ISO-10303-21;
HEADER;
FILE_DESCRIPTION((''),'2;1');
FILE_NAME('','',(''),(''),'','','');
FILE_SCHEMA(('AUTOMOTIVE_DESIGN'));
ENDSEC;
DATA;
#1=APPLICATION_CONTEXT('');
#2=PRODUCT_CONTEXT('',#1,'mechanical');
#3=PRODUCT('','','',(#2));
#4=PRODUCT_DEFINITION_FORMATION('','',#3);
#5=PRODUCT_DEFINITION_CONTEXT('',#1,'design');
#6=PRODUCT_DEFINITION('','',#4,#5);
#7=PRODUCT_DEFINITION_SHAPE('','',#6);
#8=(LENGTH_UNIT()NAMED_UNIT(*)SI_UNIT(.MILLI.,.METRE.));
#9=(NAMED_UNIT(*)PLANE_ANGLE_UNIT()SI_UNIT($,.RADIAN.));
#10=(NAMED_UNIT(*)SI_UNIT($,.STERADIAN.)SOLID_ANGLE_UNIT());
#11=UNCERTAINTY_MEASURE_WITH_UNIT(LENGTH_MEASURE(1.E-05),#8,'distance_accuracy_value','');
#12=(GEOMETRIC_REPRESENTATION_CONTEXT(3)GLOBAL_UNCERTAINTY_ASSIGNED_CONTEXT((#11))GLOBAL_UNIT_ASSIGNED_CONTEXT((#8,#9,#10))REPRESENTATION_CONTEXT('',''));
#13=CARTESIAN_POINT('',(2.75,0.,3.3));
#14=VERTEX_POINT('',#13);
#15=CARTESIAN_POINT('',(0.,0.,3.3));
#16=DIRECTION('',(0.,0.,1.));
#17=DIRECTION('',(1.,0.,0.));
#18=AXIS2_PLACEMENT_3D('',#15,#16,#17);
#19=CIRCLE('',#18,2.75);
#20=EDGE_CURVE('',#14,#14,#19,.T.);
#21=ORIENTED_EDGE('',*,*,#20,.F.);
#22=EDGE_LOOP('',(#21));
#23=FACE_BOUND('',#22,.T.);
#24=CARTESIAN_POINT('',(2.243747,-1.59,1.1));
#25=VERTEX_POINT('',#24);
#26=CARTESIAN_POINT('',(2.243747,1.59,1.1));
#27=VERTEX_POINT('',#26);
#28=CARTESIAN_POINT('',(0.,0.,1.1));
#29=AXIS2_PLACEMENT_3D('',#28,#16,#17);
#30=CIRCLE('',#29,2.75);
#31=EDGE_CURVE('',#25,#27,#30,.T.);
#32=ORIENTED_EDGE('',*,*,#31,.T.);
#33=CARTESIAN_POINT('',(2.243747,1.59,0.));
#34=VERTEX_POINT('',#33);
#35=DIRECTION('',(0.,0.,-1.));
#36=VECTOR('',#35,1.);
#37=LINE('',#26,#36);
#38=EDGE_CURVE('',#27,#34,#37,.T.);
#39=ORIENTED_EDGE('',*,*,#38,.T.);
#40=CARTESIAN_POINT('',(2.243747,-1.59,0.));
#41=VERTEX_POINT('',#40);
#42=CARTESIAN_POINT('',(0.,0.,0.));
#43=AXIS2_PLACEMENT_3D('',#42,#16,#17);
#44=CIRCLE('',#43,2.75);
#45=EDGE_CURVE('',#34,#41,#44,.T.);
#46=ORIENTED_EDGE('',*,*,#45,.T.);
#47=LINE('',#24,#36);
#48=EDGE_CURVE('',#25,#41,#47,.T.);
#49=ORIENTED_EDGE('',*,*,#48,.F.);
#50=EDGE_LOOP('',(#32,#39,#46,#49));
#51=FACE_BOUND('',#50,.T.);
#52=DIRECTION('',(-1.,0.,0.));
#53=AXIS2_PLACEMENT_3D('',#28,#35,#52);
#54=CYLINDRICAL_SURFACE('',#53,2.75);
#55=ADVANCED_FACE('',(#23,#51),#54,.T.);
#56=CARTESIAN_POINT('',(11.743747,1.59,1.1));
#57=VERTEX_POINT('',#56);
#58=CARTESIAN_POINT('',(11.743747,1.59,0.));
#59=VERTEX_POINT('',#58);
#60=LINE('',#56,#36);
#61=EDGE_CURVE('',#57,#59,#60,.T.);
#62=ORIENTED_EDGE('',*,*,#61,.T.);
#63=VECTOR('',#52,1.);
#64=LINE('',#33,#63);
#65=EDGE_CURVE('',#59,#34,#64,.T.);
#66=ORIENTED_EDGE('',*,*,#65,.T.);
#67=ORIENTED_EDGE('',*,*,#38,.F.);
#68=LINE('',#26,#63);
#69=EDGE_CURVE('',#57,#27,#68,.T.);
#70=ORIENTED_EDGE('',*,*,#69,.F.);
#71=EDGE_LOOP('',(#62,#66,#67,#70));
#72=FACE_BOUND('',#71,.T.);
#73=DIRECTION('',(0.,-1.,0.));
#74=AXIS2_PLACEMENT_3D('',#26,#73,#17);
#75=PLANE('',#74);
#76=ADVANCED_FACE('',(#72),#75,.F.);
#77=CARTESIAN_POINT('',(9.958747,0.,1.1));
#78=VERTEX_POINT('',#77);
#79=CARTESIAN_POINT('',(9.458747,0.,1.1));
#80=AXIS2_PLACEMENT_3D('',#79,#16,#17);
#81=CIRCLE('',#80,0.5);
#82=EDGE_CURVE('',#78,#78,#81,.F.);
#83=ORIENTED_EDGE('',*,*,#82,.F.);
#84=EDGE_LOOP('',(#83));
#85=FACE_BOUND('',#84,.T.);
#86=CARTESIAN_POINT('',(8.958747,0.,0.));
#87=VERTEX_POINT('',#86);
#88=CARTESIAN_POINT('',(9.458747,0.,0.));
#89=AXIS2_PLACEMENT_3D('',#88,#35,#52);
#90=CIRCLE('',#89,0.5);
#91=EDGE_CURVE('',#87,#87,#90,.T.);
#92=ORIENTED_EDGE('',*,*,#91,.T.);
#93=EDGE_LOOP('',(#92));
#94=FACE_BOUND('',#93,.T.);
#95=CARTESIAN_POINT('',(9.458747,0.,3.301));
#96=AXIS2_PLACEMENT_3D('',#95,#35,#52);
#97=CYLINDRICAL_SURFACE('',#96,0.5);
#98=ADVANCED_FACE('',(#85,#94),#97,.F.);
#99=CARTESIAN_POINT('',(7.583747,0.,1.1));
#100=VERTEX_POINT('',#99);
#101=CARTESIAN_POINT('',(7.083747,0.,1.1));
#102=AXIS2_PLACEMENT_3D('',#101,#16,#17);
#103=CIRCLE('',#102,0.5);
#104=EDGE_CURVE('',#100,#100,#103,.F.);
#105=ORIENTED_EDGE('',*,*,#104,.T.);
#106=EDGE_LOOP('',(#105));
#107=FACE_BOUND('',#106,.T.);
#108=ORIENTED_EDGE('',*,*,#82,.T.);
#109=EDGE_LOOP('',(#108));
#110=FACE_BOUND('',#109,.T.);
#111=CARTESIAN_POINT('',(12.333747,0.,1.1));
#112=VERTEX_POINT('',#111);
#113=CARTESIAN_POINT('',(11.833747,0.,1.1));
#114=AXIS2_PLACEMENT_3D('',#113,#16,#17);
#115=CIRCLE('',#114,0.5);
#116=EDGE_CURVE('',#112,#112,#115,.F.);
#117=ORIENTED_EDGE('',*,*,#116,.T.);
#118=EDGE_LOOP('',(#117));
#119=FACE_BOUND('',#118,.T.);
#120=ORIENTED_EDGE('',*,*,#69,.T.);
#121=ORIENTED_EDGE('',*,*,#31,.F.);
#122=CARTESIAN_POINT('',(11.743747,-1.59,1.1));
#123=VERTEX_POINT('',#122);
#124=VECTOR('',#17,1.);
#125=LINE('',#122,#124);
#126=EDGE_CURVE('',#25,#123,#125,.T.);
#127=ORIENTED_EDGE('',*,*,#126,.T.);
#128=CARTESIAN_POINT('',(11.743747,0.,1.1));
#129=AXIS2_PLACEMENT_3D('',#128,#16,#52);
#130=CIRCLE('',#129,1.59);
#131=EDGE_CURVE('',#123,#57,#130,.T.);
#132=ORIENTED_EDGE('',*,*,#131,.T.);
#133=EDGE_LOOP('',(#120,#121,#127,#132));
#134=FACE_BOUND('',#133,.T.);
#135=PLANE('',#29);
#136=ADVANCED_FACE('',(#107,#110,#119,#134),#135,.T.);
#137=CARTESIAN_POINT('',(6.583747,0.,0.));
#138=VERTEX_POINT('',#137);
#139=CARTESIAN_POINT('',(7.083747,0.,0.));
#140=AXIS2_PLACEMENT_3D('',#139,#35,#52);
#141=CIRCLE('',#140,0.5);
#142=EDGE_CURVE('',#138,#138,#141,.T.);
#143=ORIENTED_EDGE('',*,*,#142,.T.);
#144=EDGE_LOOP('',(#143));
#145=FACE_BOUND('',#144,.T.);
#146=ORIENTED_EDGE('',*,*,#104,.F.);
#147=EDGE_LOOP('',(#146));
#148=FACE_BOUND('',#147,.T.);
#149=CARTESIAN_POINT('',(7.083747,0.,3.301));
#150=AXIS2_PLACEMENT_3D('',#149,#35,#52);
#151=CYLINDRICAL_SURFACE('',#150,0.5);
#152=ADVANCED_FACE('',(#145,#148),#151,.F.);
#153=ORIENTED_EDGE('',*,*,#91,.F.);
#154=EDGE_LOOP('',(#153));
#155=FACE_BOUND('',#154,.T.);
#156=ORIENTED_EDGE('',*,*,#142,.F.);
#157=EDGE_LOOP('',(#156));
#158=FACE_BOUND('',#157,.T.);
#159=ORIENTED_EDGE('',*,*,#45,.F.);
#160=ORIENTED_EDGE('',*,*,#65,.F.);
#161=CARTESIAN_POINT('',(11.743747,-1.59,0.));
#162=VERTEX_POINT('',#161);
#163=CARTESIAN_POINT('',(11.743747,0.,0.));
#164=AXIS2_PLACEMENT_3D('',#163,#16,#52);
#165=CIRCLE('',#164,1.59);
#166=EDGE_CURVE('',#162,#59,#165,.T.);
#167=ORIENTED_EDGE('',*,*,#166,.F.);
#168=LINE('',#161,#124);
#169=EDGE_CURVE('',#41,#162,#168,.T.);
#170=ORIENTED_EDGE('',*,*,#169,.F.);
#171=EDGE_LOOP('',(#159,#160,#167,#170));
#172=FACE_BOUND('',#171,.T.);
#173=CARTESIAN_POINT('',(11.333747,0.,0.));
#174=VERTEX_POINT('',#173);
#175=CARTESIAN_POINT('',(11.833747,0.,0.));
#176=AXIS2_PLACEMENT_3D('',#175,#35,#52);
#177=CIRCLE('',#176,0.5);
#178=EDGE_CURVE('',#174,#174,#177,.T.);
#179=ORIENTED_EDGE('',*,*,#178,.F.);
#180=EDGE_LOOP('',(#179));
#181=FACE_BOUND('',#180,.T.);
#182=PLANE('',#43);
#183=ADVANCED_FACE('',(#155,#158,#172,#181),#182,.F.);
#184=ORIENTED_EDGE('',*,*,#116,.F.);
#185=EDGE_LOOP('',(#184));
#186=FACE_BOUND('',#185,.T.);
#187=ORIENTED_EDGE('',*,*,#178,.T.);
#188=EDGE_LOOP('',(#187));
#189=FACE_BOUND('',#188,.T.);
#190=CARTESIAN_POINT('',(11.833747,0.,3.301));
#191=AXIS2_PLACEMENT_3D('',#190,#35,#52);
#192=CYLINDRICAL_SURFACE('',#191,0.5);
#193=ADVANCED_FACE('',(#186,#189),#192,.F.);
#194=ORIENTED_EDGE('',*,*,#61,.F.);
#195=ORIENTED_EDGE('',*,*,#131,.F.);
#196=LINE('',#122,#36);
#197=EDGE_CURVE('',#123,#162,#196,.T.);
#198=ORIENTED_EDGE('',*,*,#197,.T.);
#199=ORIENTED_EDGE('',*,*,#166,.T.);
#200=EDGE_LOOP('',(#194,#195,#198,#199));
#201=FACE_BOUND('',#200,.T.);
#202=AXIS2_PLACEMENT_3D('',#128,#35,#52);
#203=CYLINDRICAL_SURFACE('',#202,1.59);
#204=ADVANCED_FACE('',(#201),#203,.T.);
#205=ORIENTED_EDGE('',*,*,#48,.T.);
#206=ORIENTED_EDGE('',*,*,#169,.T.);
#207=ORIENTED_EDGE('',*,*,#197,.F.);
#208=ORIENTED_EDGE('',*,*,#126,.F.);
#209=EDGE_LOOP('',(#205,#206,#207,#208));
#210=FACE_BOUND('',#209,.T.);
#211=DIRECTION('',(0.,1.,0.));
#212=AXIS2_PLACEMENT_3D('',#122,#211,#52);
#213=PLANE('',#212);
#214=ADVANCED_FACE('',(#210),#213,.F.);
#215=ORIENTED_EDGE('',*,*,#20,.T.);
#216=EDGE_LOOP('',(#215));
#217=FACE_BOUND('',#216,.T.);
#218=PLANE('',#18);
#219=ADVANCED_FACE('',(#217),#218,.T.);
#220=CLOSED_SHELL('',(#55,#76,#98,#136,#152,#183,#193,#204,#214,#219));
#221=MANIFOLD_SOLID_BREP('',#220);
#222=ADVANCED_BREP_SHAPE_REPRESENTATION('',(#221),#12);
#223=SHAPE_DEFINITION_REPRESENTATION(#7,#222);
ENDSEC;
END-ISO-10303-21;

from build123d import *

# Parameters (mm, degrees)
BOSS_EXTRUDE1_DEPTH = 1.1
SKETCH2_R           = 2.75
BOSS_EXTRUDE2_DEPTH = 2.2
CUT_EXTRUDE1_REACH  = 5.3
SKETCH3_R           = 0.5


with BuildPart() as part:
    # Sketch1 → Boss-Extrude1 (new body)
    with BuildSketch(Plane.XY):
        with BuildLine():
            Line((2.243746866, 1.59), (11.743746866, 1.59))
            ThreePointArc((11.743746866, 1.59), (13.333746866, 0), (11.743746866, -1.59))
            Line((11.743746866, -1.59), (2.243746866, -1.59))
            ThreePointArc((2.243746866, -1.59), (-2.75, 0), (2.243746866, 1.59))
        make_face()
    extrude(amount=BOSS_EXTRUDE1_DEPTH)

    # Sketch2 → Boss-Extrude2 (add)
    with BuildSketch(Plane.XY.offset(1.1)):
        Circle(SKETCH2_R)
    extrude(amount=BOSS_EXTRUDE2_DEPTH)

    # Sketch3 → Cut-Extrude1 (cut, up to next)
    with BuildSketch(Plane(origin=(0, 0, 0), x_dir=(-1, 0, 0), z_dir=(0, 0, -1)), mode=Mode.PRIVATE) as cut_extrude1_sk1:
        with Locations((-11.833746866, 0)):
            Circle(SKETCH3_R)
    cut_extrude1_tool1 = extrude(cut_extrude1_sk1.sketch, amount=-CUT_EXTRUDE1_REACH, mode=Mode.PRIVATE) & part.part
    add(cut_extrude1_tool1.solids().sort_by_distance((11.833747, 0, 0))[0], mode=Mode.SUBTRACT)
    # Sketch3 → Cut-Extrude1 (cut, up to next)
    with BuildSketch(Plane(origin=(0, 0, 0), x_dir=(-1, 0, 0), z_dir=(0, 0, -1)), mode=Mode.PRIVATE) as cut_extrude1_sk2:
        with Locations((-9.458746866, 0)):
            Circle(SKETCH3_R)
    cut_extrude1_tool2 = extrude(cut_extrude1_sk2.sketch, amount=-CUT_EXTRUDE1_REACH, mode=Mode.PRIVATE) & part.part
    add(cut_extrude1_tool2.solids().sort_by_distance((9.458747, 0, 0))[0], mode=Mode.SUBTRACT)
    # Sketch3 → Cut-Extrude1 (cut, up to next)
    with BuildSketch(Plane(origin=(0, 0, 0), x_dir=(-1, 0, 0), z_dir=(0, 0, -1)), mode=Mode.PRIVATE) as cut_extrude1_sk3:
        with Locations((-7.083746866, 0)):
            Circle(SKETCH3_R)
    cut_extrude1_tool3 = extrude(cut_extrude1_sk3.sketch, amount=-CUT_EXTRUDE1_REACH, mode=Mode.PRIVATE) & part.part
    add(cut_extrude1_tool3.solids().sort_by_distance((7.083747, 0, 0))[0], mode=Mode.SUBTRACT)


solid = part.part
